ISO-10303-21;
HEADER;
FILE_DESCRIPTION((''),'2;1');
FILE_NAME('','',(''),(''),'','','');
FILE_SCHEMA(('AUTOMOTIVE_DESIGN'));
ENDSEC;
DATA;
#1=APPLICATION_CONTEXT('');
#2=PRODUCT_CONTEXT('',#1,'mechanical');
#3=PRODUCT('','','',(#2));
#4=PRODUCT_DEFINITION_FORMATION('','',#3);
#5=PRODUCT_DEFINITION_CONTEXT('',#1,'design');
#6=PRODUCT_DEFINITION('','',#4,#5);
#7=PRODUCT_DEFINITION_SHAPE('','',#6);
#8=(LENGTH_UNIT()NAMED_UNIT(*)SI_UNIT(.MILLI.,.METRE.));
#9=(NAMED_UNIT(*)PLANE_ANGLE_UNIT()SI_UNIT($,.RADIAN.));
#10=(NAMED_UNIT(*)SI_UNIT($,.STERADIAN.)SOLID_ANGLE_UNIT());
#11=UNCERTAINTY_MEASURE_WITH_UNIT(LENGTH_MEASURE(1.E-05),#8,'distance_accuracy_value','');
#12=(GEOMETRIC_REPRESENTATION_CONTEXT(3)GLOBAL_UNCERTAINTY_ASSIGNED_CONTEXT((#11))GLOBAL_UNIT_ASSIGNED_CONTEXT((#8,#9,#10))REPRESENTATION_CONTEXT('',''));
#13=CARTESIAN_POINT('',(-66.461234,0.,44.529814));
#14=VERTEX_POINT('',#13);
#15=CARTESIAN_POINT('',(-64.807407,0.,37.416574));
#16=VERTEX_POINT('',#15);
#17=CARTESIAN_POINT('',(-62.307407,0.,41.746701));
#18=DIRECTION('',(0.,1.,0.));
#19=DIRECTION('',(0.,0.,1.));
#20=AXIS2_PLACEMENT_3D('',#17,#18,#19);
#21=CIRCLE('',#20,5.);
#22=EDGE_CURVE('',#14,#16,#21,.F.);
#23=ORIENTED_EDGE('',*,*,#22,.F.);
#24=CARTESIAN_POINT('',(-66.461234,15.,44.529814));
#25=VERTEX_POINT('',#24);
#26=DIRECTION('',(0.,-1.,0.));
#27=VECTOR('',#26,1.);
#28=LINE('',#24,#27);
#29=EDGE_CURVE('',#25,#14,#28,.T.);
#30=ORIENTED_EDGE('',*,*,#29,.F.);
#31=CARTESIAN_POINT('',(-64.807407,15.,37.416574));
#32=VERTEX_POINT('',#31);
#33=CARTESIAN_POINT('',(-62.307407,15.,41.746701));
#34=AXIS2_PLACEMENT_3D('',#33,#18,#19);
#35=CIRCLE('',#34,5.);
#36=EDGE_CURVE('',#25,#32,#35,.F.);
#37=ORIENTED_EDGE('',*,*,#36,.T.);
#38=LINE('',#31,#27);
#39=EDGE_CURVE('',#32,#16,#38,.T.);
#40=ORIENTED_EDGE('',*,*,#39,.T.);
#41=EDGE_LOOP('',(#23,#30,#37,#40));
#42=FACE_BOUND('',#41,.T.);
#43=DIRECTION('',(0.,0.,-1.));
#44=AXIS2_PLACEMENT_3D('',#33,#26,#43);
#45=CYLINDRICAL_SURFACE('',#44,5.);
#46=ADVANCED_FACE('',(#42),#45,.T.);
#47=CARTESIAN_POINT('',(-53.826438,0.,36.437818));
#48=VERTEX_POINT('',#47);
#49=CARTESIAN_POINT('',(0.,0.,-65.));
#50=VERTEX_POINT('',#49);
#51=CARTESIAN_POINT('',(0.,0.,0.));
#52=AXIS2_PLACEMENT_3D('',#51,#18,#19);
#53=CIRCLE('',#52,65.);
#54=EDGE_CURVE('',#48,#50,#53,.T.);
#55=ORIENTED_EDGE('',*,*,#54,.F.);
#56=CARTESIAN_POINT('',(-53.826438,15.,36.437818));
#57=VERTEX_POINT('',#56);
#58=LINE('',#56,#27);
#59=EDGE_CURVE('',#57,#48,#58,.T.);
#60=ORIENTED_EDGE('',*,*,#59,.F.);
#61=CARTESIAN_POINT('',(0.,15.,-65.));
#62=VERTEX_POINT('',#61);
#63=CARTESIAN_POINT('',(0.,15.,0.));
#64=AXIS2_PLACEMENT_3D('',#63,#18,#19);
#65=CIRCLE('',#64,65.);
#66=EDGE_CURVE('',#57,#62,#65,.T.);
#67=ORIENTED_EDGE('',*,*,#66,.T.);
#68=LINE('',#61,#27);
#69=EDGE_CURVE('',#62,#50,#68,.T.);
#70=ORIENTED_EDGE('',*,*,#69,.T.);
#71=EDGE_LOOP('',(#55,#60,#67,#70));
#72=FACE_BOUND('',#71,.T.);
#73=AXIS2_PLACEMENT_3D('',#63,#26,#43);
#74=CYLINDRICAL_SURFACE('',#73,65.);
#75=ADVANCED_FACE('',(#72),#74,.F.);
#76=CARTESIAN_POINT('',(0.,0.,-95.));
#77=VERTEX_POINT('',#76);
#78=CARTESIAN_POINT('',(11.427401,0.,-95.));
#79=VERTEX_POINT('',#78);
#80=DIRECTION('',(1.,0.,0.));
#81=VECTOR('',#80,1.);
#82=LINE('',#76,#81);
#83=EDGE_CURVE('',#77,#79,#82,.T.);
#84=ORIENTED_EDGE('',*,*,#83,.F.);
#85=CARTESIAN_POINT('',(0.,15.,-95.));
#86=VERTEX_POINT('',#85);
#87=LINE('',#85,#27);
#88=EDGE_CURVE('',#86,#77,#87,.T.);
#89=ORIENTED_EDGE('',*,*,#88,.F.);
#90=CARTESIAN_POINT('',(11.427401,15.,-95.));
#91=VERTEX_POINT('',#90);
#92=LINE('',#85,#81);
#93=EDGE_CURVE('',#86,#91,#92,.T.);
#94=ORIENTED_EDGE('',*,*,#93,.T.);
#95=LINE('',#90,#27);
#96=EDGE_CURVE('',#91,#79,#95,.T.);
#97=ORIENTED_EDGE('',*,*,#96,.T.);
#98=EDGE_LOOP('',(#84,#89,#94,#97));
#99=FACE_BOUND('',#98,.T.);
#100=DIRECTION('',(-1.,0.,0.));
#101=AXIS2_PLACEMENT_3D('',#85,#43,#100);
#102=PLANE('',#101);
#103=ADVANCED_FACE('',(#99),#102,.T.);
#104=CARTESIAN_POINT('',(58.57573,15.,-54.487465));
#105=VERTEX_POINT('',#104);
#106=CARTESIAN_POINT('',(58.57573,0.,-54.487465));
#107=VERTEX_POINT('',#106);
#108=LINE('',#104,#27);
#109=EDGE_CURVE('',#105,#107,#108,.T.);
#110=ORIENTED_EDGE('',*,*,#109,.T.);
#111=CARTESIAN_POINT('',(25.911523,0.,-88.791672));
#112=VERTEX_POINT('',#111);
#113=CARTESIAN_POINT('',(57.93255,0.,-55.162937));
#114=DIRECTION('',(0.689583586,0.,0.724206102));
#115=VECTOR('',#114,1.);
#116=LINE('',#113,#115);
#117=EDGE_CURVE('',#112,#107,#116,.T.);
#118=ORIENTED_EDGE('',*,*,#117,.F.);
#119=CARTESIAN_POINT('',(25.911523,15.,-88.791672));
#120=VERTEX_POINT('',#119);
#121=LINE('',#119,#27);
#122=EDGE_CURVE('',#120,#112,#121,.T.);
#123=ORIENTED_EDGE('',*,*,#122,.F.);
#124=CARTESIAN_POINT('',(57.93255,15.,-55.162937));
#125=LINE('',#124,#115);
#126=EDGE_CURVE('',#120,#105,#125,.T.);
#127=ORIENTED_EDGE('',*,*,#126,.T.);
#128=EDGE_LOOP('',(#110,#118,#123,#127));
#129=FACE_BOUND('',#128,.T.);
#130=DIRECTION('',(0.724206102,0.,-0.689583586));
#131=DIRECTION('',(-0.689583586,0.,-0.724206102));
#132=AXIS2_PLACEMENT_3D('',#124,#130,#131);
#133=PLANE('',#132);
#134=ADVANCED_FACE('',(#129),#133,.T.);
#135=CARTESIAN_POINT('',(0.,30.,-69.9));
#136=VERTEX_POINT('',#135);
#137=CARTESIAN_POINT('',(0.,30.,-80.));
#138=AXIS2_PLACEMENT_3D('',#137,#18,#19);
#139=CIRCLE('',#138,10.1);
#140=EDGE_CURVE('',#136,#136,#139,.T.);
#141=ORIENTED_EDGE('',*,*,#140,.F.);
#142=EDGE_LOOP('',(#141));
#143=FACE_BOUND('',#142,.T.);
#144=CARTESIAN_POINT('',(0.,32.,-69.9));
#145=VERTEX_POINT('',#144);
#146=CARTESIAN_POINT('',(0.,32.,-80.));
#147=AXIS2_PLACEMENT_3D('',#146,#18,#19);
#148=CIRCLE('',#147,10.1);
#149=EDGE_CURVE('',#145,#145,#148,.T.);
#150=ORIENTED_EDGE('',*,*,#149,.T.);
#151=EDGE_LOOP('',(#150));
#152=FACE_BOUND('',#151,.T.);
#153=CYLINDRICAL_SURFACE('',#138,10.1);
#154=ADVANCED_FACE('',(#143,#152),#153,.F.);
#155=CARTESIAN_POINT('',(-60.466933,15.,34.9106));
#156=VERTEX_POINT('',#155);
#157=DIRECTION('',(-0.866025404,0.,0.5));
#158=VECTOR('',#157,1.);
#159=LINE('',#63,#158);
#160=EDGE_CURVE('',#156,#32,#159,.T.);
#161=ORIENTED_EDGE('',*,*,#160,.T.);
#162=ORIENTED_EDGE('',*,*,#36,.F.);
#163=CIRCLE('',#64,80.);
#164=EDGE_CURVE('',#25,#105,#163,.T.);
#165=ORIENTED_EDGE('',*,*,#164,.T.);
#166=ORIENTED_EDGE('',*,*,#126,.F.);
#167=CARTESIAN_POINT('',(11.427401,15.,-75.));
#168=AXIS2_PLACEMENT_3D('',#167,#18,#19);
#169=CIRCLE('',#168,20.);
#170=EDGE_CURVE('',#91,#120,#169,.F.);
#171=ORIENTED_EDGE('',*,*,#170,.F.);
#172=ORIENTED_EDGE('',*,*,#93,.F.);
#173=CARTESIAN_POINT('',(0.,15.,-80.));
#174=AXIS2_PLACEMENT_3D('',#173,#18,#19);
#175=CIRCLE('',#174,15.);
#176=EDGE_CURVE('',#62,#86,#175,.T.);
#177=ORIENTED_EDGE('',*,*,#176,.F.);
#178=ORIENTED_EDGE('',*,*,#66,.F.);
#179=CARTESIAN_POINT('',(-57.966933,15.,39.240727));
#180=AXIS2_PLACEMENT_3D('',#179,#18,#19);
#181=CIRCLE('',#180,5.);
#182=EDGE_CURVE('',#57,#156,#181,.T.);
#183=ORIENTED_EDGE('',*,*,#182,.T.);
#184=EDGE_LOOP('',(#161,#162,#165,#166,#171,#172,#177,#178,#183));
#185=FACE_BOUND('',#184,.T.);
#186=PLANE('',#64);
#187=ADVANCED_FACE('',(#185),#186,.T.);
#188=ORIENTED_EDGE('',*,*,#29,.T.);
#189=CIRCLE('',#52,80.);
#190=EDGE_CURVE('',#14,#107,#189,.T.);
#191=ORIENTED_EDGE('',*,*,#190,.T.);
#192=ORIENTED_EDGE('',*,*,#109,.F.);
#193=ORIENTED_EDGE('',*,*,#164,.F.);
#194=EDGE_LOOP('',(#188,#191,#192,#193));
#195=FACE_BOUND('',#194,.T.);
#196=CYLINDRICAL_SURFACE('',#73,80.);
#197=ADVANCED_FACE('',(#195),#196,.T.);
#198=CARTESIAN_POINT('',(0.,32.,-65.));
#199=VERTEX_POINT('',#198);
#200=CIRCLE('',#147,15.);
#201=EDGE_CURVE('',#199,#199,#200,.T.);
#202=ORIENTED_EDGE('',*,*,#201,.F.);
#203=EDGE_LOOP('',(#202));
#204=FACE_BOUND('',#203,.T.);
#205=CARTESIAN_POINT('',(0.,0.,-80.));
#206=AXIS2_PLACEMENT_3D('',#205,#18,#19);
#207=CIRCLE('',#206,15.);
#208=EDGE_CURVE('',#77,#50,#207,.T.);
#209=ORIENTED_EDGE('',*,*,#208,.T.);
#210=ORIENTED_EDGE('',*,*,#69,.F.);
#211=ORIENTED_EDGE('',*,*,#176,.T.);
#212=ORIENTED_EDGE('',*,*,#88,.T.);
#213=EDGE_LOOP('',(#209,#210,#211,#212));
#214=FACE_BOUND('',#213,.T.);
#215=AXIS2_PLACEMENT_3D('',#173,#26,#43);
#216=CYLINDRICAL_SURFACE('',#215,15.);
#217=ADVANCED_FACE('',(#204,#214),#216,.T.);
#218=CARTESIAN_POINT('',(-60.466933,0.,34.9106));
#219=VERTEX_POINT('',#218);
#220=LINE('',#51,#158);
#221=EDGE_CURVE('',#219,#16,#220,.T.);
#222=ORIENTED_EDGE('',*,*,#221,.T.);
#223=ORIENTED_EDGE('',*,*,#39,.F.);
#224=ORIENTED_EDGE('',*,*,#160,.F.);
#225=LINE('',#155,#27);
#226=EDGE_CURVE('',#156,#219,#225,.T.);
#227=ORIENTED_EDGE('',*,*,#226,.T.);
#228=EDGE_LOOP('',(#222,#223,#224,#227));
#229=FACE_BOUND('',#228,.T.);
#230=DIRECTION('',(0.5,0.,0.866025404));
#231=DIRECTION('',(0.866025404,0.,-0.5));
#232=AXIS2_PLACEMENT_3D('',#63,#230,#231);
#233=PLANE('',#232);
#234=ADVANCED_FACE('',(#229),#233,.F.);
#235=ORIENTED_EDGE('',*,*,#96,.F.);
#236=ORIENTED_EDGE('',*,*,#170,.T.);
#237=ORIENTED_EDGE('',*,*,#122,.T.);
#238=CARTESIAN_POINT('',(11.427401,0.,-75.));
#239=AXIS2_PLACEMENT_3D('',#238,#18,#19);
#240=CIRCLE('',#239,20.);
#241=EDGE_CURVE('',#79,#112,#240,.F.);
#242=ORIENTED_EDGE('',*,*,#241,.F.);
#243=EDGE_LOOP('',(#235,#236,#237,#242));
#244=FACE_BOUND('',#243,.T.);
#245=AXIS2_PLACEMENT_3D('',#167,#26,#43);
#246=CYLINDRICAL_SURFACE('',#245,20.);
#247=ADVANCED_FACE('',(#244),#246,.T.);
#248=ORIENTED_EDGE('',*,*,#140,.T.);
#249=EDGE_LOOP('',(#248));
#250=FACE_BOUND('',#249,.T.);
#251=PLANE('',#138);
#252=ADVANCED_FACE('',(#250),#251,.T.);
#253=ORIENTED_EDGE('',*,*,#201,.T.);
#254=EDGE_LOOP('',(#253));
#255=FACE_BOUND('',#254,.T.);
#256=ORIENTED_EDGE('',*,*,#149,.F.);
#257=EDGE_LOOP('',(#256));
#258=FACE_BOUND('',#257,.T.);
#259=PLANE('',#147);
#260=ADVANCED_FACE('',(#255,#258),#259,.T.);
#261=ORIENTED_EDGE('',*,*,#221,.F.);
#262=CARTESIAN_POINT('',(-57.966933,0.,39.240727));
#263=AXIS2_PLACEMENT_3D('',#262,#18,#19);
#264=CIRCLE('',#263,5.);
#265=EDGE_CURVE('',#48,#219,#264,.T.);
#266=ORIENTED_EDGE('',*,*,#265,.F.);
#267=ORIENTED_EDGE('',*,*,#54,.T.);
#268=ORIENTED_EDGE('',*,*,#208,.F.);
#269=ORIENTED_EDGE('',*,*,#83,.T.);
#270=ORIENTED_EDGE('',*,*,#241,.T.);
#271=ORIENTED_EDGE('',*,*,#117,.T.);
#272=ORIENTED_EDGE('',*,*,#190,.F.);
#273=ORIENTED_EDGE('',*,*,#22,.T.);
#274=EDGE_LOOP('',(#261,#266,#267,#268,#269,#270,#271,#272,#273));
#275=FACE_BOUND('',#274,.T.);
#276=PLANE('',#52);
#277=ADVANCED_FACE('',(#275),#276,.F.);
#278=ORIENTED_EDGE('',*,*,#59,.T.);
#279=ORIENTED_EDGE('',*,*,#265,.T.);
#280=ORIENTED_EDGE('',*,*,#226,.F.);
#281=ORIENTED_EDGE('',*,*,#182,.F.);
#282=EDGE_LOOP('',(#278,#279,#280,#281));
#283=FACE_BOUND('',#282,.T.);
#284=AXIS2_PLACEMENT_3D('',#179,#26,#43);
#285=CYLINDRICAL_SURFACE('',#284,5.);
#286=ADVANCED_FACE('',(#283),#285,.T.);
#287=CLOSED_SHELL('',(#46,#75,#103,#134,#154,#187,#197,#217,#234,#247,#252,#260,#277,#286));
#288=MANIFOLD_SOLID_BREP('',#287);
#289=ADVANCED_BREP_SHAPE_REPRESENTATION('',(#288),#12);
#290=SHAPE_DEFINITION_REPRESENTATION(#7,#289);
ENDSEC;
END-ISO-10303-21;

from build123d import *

# Parameters (mm, degrees)
EXTRUDE_4_DEPTH     = 15
SKETCH_4_R          = 15
EXTRUDE_5_DEPTH     = 17
SKETCH_6_R          = 10.1
CUT_EXTRUDE_1_DEPTH = 2


with BuildPart() as part:
    # ｽｹｯﾁ2 → ﾎﾞｽ - 押し出し4 (new body)
    with BuildSketch(Plane(origin=(0, 0, 0), x_dir=(1, 0, 0), z_dir=(0, 1, 0))):
        with BuildLine():
            ThreePointArc((-53.82643789, -36.437818048), (-56.846261527, -34.367935813), (-60.466933112, -34.910600109))
            Line((-60.466933112, -34.910600109), (-64.807406984, -37.416573868))
            ThreePointArc((-64.807406984, -37.416573868), (-67.177509772, -40.614402853), (-66.461234116, -44.529814279))
            ThreePointArc((-66.461234116, -44.529814279), (49.665387485, -62.716419588), (58.57572973, 54.487465409))
            Line((58.57572973, 54.487465409), (57.289371136, 55.838409315))
            Line((57.289371136, 55.838409315), (25.911523347, 88.791671712))
            ThreePointArc((25.911523347, 88.791671712), (19.306695871, 93.382511176), (11.427401304, 95))
            Line((11.427401304, 95), (0, 95))
            ThreePointArc((0, 95), (-15, 80), (0, 65))
            ThreePointArc((0, 65), (57.41714976, -30.467538684), (-53.82643789, -36.437818048))
        make_face()
    extrude(amount=EXTRUDE_4_DEPTH)

    # ｽｹｯﾁ4 → ﾎﾞｽ - 押し出し5 (add)
    with BuildSketch(Plane(origin=(0, 15, 0), x_dir=(1, 0, 0), z_dir=(0, 1, 0))):
        with Locations(Location((0, 80, 0), (0, 0, 270))):
            Circle(SKETCH_4_R)
    extrude(amount=EXTRUDE_5_DEPTH)

    # ｽｹｯﾁ6 → ｶｯﾄ - 押し出し1 (cut)
    with BuildSketch(Plane(origin=(0, 32, 0), x_dir=(1, 0, 0), z_dir=(0, 1, 0))):
        with Locations(Location((0, 80, 0), (0, 0, 270))):
            Circle(SKETCH_6_R)
    extrude(amount=-CUT_EXTRUDE_1_DEPTH, mode=Mode.SUBTRACT)


solid = part.part
